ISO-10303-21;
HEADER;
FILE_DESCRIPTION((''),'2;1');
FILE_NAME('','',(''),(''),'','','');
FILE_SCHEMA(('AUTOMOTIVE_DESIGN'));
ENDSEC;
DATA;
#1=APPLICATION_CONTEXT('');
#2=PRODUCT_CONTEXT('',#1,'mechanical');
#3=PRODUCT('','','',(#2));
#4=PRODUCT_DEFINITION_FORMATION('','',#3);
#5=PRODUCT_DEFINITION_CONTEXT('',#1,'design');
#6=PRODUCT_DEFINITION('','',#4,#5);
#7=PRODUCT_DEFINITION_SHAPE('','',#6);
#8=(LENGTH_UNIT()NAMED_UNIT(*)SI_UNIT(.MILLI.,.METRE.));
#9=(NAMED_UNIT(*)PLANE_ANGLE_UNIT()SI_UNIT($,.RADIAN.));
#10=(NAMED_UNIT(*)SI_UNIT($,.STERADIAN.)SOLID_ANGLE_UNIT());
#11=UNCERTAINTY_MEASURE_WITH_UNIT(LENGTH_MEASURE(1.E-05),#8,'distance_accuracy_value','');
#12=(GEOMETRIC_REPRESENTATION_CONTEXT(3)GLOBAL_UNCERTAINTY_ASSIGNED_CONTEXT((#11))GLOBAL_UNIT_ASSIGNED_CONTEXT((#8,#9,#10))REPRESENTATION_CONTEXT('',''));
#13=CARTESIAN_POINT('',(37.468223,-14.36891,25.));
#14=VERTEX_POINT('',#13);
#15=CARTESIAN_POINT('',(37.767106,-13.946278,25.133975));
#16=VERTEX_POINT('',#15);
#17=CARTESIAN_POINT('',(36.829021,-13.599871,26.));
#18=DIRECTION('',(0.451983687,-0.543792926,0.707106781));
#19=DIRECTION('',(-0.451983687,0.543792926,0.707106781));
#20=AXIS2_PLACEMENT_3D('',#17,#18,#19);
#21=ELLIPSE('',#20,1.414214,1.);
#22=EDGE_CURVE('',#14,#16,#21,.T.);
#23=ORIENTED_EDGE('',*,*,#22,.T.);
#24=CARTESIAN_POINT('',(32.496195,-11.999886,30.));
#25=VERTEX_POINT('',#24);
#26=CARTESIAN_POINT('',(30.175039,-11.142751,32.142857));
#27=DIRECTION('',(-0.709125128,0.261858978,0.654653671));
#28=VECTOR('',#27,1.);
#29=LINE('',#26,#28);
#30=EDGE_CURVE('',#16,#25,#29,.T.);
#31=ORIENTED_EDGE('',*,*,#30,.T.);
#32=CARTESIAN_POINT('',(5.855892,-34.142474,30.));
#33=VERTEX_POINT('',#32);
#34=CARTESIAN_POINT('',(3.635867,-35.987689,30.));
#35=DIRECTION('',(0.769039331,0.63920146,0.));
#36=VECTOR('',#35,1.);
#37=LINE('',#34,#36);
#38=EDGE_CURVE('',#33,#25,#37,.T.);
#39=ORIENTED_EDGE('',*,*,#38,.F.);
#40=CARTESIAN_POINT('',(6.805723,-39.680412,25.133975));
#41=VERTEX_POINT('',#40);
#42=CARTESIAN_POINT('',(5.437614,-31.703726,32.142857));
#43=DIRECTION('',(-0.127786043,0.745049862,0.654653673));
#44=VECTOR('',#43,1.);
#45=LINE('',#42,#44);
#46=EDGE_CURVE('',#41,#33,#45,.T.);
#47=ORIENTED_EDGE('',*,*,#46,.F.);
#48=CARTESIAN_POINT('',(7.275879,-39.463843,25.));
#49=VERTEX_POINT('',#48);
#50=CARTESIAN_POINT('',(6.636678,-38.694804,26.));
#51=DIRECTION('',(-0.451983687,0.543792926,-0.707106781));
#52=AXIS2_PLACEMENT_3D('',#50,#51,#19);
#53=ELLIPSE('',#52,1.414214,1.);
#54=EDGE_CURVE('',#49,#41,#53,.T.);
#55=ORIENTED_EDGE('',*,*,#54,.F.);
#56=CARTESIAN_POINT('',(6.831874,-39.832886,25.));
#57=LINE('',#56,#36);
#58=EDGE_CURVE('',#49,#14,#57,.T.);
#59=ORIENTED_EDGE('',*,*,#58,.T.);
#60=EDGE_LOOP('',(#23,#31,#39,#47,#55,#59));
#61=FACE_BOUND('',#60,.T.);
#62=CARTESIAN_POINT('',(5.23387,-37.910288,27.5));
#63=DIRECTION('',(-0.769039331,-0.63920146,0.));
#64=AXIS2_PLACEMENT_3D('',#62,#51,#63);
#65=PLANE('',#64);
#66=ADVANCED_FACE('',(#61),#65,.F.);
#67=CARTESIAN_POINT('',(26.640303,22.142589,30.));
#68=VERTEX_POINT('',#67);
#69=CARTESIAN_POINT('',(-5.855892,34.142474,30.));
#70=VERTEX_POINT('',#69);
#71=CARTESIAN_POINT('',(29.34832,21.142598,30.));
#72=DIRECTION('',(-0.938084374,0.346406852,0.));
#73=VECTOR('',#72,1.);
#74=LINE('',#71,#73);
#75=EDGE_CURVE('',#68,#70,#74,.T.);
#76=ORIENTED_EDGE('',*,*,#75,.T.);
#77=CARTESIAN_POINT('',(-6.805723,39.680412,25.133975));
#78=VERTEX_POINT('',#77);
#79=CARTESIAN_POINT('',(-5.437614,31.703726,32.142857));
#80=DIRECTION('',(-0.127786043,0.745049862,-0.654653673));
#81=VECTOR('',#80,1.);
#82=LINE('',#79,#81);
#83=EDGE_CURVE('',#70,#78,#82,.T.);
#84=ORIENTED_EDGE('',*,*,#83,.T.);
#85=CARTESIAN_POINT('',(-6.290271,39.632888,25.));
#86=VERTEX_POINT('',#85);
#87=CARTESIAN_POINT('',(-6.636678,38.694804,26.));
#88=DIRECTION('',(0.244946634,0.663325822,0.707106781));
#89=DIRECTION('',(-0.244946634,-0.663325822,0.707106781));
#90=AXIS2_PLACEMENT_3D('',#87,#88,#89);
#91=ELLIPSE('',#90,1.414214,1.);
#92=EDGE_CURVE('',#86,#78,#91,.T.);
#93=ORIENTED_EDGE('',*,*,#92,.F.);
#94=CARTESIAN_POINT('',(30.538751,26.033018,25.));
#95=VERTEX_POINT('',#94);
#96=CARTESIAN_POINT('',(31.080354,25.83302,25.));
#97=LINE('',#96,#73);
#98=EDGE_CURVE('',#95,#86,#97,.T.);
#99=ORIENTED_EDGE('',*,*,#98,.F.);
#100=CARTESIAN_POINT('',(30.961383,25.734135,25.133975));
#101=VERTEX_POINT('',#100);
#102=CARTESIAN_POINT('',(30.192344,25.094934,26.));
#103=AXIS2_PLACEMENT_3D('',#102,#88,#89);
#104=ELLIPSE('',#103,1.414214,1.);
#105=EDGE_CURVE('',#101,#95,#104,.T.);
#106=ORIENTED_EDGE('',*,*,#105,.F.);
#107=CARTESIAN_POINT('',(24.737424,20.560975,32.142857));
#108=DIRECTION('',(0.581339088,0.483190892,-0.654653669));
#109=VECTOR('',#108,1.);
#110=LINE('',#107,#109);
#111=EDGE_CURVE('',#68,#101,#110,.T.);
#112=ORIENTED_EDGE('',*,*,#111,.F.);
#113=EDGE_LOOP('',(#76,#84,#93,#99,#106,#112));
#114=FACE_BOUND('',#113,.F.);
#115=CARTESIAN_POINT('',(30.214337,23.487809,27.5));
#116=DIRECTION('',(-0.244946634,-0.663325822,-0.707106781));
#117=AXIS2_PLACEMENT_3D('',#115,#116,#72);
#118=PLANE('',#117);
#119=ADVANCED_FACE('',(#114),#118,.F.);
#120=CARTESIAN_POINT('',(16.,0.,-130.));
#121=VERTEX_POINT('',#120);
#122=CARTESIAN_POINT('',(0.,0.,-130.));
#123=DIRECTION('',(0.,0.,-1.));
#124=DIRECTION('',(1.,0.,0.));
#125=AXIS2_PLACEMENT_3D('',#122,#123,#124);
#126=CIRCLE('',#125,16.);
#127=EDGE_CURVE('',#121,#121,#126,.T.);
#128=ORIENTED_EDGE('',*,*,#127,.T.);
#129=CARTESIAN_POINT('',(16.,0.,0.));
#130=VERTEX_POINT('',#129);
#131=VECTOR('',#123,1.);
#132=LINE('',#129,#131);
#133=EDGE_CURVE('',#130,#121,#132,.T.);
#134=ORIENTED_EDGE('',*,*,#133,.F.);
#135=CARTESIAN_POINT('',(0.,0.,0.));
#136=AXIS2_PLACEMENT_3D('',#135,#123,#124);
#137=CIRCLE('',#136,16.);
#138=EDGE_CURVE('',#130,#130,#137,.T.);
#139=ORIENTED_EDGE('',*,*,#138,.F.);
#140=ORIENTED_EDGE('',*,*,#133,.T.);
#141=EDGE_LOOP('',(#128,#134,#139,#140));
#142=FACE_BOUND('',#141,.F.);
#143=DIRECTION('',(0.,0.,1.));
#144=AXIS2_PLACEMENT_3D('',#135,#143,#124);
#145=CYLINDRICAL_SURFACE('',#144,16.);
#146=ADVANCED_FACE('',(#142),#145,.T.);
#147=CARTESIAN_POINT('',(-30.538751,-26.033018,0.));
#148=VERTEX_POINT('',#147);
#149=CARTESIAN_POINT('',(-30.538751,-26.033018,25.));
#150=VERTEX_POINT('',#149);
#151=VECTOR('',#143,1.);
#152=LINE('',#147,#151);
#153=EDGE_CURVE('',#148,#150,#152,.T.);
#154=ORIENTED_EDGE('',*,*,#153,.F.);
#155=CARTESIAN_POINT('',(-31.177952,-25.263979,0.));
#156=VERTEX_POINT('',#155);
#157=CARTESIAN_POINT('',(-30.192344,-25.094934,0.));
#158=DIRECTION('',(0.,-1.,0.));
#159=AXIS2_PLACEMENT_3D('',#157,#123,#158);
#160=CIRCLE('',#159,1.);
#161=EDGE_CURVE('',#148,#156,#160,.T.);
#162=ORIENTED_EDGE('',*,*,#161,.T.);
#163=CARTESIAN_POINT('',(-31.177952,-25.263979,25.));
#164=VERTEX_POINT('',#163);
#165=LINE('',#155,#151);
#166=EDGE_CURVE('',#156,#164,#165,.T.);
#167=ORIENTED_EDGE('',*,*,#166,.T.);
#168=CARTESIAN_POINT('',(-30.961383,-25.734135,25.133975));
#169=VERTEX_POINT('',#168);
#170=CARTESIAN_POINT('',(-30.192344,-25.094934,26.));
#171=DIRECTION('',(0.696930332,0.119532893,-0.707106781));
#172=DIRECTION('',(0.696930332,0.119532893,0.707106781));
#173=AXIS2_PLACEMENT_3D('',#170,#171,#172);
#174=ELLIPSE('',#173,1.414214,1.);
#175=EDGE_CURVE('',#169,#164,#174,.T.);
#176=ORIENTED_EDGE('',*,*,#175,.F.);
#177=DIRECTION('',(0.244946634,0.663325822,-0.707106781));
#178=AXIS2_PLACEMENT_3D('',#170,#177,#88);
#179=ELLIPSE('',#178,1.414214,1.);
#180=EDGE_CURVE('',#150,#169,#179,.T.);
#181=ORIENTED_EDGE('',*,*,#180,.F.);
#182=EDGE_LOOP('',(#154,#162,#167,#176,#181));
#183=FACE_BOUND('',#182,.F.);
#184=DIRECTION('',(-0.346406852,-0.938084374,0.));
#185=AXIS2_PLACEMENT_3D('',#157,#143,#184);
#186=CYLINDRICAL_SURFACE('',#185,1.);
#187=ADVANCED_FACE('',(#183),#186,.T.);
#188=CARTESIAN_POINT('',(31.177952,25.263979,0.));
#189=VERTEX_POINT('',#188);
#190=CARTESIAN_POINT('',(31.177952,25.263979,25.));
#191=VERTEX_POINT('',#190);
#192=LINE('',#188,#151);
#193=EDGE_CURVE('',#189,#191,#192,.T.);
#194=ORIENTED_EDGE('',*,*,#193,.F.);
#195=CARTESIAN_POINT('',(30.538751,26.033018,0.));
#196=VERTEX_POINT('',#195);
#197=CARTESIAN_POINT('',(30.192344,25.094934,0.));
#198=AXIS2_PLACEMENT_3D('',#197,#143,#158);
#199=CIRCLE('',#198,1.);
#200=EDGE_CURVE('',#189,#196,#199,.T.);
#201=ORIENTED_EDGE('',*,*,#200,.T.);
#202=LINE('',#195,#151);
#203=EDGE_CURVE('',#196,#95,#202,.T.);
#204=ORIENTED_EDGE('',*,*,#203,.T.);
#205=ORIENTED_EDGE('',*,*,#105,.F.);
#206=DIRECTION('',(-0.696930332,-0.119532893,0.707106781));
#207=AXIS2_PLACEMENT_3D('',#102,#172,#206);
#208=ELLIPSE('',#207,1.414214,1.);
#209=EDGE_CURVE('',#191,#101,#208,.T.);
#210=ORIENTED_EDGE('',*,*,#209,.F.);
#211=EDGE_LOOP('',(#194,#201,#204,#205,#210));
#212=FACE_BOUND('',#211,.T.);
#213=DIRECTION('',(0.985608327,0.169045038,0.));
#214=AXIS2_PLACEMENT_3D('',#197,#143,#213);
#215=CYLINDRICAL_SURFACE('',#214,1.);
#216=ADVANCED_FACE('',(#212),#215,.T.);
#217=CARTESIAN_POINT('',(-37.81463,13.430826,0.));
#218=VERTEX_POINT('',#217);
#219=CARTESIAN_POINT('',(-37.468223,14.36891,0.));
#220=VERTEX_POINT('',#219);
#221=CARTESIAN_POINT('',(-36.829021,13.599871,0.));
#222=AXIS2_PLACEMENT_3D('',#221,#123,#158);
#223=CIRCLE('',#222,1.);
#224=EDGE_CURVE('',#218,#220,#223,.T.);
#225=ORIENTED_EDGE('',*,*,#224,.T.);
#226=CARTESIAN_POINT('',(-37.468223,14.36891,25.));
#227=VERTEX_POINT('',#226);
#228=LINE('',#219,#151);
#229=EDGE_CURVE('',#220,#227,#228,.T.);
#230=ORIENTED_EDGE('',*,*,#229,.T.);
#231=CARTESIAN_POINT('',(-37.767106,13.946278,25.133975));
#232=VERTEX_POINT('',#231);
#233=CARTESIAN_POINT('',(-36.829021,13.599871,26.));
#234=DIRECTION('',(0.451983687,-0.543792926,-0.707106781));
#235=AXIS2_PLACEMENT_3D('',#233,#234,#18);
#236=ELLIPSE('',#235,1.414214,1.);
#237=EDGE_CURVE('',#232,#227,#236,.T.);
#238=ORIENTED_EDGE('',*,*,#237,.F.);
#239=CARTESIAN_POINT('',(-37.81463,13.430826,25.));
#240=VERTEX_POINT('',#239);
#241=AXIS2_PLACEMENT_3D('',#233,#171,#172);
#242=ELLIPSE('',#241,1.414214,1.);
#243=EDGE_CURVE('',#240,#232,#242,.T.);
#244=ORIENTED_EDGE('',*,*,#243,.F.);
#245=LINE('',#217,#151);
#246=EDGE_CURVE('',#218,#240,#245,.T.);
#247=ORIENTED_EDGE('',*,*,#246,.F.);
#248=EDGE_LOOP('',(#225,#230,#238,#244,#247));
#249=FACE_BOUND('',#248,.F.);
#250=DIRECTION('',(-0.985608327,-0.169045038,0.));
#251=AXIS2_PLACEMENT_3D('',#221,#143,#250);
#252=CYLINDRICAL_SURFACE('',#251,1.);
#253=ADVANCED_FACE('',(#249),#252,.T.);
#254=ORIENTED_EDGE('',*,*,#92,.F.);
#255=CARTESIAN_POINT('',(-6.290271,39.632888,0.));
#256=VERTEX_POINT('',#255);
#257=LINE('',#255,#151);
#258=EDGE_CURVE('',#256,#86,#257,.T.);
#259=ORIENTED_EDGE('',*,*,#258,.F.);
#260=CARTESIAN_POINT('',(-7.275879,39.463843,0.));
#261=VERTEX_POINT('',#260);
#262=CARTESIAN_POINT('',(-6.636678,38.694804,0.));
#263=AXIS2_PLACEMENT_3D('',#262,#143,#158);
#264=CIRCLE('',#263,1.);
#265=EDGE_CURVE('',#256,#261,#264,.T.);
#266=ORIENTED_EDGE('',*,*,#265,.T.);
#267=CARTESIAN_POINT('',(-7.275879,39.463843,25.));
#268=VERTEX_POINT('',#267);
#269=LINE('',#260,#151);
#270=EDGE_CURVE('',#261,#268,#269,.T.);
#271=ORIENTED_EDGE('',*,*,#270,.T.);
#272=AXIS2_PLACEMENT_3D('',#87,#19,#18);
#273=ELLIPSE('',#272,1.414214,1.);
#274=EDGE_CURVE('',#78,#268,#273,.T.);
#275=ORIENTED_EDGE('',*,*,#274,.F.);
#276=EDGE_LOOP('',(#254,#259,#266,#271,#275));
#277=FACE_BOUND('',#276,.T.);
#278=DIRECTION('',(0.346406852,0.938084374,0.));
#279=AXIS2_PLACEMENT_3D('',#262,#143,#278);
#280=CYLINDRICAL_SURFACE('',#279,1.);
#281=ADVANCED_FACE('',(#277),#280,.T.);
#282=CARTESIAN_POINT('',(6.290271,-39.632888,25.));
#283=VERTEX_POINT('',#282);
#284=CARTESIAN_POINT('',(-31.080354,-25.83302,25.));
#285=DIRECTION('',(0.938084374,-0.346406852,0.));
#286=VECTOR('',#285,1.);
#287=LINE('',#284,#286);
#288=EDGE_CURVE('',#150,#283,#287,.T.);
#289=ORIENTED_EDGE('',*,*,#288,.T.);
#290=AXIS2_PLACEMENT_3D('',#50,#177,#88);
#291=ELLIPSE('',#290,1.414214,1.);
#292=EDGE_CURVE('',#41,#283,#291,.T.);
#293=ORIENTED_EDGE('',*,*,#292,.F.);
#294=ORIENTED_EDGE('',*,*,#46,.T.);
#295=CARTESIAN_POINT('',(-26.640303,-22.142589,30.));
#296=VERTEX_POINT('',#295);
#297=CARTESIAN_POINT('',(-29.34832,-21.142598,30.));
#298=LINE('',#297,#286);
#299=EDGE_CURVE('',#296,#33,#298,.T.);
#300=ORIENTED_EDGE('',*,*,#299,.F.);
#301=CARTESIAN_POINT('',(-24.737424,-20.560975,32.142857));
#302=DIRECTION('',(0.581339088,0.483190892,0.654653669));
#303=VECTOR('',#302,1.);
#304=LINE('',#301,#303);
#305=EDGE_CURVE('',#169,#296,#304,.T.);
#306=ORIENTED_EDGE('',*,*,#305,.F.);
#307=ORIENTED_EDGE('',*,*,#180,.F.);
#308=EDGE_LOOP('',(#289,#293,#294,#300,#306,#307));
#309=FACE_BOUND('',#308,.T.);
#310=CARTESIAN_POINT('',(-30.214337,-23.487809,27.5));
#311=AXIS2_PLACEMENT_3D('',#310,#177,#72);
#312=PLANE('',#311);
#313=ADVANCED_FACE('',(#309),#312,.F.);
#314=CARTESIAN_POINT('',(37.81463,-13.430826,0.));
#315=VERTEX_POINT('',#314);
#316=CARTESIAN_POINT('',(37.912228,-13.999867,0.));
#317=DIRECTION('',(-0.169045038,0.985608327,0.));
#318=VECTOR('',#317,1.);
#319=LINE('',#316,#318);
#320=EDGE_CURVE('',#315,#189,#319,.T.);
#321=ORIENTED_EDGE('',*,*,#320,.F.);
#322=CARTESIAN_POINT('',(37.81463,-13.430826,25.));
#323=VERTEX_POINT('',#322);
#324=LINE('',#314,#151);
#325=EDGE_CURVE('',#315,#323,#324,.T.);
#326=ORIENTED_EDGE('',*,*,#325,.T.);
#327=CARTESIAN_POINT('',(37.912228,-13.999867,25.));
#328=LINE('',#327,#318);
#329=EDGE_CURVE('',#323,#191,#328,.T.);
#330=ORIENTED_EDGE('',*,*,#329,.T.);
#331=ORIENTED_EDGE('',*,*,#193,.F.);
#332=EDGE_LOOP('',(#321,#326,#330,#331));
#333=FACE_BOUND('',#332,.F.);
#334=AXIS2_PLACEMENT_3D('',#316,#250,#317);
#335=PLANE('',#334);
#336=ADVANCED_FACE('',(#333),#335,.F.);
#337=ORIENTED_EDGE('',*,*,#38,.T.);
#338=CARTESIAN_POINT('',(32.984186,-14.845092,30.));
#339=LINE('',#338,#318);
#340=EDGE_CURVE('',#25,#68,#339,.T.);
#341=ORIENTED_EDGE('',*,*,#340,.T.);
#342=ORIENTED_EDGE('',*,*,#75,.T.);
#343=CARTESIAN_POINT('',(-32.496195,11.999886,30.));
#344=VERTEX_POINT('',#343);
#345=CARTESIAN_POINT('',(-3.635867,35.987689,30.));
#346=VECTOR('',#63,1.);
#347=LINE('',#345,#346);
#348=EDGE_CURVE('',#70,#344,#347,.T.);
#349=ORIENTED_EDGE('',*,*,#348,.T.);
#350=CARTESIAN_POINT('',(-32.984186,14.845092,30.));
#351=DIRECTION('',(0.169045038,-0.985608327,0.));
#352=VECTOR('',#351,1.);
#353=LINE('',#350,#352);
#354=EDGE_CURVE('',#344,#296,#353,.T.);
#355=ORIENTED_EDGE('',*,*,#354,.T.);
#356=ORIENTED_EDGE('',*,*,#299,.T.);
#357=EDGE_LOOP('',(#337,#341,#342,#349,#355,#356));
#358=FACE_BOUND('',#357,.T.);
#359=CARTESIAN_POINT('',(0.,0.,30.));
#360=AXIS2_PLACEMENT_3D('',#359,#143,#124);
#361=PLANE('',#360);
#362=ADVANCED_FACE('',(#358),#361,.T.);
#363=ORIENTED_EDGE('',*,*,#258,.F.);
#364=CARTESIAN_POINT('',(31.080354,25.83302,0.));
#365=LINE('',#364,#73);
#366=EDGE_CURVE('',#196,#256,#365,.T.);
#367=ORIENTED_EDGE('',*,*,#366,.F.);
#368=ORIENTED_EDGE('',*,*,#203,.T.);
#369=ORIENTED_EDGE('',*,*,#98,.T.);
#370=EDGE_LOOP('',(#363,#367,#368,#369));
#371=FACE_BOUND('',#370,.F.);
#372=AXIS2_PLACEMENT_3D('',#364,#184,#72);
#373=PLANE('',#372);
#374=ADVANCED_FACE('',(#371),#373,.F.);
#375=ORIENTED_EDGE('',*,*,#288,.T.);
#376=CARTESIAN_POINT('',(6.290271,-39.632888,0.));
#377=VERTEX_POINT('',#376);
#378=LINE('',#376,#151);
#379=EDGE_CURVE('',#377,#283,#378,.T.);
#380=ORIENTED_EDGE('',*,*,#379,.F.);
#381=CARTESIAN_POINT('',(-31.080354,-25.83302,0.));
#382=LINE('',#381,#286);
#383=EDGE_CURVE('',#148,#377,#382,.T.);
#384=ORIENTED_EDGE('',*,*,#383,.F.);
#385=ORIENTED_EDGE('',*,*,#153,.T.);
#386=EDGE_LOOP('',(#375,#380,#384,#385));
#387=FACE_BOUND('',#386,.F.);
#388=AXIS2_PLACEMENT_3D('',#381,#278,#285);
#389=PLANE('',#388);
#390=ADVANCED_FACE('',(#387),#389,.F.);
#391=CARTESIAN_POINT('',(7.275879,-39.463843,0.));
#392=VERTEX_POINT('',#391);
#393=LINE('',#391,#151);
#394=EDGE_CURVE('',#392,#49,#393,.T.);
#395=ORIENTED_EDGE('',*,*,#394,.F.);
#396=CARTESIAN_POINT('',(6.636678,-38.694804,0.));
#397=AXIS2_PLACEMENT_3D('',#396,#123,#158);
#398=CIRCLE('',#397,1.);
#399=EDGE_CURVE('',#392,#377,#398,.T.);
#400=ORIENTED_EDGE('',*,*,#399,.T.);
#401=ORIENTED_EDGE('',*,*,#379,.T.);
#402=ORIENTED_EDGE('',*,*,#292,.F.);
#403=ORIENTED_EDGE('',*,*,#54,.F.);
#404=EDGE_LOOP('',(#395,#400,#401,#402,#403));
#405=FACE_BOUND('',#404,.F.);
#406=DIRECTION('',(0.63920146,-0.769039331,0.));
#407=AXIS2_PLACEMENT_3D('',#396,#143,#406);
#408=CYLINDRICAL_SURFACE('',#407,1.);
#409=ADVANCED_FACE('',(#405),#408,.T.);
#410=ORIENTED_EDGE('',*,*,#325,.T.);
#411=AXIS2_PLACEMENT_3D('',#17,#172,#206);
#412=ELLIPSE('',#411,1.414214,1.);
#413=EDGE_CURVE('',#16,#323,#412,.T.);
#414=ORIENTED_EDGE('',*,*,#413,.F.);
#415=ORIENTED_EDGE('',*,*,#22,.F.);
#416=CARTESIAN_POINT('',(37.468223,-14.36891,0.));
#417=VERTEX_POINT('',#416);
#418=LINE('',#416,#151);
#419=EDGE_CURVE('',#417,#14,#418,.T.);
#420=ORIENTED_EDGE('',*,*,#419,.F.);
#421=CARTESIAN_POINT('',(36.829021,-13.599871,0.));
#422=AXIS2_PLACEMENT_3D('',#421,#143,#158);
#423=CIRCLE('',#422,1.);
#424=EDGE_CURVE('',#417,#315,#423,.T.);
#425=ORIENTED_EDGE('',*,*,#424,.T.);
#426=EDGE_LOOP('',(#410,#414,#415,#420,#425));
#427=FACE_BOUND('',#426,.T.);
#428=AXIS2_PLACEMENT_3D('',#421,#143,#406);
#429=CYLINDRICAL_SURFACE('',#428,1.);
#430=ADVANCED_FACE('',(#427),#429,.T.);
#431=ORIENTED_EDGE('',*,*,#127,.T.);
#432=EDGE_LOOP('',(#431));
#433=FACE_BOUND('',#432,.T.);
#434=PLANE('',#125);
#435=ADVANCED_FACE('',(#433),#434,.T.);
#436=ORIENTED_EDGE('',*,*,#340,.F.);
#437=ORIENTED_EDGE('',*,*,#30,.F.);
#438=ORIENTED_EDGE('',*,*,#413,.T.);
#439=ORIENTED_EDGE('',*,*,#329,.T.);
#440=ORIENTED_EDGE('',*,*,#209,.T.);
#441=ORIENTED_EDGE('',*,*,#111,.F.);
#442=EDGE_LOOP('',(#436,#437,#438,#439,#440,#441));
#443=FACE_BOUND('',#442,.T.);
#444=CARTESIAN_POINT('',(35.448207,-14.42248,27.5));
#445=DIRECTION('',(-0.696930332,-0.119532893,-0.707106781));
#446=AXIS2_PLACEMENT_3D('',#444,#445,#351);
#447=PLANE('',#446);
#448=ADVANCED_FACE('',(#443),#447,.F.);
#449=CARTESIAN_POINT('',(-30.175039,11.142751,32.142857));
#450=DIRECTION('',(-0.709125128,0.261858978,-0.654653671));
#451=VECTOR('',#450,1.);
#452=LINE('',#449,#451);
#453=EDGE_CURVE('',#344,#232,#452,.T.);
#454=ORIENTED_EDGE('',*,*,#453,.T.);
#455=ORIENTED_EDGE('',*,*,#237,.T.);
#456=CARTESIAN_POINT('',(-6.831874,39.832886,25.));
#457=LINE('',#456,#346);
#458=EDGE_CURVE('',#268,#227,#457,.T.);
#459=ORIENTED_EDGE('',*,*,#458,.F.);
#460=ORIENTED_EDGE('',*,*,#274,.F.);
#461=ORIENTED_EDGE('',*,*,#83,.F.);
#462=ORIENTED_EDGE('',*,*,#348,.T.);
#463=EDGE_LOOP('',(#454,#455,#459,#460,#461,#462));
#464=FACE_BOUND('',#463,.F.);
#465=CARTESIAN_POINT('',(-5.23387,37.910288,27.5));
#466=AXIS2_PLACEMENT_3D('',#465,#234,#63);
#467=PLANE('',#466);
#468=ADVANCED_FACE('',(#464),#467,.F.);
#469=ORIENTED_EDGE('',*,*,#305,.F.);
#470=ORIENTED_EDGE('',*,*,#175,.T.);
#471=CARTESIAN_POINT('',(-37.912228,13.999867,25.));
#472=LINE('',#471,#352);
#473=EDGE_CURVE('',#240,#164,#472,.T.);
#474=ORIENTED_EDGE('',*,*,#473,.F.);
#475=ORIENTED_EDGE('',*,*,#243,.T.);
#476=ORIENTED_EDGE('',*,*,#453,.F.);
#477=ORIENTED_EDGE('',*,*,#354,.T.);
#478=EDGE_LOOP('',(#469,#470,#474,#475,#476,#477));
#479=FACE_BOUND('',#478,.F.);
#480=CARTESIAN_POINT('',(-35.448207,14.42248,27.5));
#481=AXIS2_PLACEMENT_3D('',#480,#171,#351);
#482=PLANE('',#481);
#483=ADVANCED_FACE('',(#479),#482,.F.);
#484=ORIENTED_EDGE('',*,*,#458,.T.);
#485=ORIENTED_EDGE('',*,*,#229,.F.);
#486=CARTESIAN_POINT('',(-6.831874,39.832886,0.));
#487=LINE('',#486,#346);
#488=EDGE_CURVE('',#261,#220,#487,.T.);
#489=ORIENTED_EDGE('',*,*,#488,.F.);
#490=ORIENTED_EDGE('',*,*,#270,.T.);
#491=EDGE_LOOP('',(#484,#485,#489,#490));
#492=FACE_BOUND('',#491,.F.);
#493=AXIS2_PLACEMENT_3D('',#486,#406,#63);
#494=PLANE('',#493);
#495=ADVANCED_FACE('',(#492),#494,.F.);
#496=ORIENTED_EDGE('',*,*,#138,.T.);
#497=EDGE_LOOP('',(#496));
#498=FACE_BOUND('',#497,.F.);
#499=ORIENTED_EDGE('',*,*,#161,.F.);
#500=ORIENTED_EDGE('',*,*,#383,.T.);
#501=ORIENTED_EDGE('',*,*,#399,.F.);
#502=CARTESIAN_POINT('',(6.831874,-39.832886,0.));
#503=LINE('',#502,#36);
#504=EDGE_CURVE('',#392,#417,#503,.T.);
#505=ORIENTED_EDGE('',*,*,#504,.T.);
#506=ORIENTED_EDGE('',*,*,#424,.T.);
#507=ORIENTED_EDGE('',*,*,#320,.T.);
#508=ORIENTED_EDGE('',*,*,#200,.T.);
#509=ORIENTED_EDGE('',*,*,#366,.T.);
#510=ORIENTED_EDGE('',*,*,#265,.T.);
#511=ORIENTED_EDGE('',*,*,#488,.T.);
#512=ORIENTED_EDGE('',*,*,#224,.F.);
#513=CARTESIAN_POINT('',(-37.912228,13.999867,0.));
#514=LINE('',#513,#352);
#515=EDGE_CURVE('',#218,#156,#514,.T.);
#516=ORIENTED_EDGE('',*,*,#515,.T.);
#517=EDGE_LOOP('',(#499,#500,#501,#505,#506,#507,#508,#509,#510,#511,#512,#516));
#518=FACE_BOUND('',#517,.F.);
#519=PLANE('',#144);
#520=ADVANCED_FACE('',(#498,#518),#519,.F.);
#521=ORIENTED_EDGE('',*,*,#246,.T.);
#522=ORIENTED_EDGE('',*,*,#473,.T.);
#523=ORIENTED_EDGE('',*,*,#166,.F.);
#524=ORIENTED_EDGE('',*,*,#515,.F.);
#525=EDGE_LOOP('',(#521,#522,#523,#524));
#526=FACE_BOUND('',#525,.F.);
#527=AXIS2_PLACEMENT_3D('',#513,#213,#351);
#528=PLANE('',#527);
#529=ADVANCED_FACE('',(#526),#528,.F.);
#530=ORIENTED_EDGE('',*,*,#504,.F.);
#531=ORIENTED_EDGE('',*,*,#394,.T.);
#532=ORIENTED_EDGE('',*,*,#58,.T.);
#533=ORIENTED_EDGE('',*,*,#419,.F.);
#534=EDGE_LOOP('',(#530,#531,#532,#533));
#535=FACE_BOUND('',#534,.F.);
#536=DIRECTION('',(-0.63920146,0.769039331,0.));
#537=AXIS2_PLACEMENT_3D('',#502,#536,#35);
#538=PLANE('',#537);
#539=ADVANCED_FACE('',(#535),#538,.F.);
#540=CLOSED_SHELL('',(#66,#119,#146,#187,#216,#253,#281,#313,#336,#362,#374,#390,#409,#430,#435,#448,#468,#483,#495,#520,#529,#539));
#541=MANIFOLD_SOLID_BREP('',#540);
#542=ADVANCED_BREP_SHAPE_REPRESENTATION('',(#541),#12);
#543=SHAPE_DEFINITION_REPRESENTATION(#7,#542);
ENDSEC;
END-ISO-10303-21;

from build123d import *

# Parameters (mm, degrees)
F1_DEPTH = 30
F2_R     = 16
F3_DEPTH = 130
F4_SIZE  = 5
F5_R     = 1


with BuildPart() as f1:
    # F0 (on Top) → F1 (new body)
    with BuildSketch(Plane.XY):
        Polygon((6.831874, -39.832886), (37.912228, -13.999867), (31.080354, 25.83302), (-6.831874, 39.832886), (-37.912228, 13.999867), (-31.080354, -25.83302), align=None)
    extrude(amount=F1_DEPTH)

    # F2 (on face) → F3 (join)
    with BuildSketch(Plane(origin=(0, 0, 0), x_dir=(1, 0, 0), z_dir=(0, 0, -1))):
        Circle(F2_R)
    extrude(amount=F3_DEPTH)

    # F4
    f4_edges = [f1.edges().sort_by_distance(p)[0] for p in [
        (22.372051, -26.916377, 30),
        (-12.12424, -32.832953, 30),
        (-34.496291, -5.916576, 30),
        (-22.372051, 26.916377, 30),
        (12.12424, 32.832953, 30),
        (34.496291, 5.916576, 30),
    ]]
    chamfer(f4_edges, length=F4_SIZE)

    # F5
    f5_edges = [f1.edges().sort_by_distance(p)[0] for p in [
        (6.831874, -39.832886, 12.5),
        (37.912228, -13.999867, 12.5),
        (31.080354, 25.83302, 12.5),
        (-6.831874, 39.832886, 12.5),
        (-37.912228, 13.999867, 12.5),
        (-31.080354, -25.83302, 12.5),
    ]]
    fillet(f5_edges, radius=F5_R)


solid = f1.part
